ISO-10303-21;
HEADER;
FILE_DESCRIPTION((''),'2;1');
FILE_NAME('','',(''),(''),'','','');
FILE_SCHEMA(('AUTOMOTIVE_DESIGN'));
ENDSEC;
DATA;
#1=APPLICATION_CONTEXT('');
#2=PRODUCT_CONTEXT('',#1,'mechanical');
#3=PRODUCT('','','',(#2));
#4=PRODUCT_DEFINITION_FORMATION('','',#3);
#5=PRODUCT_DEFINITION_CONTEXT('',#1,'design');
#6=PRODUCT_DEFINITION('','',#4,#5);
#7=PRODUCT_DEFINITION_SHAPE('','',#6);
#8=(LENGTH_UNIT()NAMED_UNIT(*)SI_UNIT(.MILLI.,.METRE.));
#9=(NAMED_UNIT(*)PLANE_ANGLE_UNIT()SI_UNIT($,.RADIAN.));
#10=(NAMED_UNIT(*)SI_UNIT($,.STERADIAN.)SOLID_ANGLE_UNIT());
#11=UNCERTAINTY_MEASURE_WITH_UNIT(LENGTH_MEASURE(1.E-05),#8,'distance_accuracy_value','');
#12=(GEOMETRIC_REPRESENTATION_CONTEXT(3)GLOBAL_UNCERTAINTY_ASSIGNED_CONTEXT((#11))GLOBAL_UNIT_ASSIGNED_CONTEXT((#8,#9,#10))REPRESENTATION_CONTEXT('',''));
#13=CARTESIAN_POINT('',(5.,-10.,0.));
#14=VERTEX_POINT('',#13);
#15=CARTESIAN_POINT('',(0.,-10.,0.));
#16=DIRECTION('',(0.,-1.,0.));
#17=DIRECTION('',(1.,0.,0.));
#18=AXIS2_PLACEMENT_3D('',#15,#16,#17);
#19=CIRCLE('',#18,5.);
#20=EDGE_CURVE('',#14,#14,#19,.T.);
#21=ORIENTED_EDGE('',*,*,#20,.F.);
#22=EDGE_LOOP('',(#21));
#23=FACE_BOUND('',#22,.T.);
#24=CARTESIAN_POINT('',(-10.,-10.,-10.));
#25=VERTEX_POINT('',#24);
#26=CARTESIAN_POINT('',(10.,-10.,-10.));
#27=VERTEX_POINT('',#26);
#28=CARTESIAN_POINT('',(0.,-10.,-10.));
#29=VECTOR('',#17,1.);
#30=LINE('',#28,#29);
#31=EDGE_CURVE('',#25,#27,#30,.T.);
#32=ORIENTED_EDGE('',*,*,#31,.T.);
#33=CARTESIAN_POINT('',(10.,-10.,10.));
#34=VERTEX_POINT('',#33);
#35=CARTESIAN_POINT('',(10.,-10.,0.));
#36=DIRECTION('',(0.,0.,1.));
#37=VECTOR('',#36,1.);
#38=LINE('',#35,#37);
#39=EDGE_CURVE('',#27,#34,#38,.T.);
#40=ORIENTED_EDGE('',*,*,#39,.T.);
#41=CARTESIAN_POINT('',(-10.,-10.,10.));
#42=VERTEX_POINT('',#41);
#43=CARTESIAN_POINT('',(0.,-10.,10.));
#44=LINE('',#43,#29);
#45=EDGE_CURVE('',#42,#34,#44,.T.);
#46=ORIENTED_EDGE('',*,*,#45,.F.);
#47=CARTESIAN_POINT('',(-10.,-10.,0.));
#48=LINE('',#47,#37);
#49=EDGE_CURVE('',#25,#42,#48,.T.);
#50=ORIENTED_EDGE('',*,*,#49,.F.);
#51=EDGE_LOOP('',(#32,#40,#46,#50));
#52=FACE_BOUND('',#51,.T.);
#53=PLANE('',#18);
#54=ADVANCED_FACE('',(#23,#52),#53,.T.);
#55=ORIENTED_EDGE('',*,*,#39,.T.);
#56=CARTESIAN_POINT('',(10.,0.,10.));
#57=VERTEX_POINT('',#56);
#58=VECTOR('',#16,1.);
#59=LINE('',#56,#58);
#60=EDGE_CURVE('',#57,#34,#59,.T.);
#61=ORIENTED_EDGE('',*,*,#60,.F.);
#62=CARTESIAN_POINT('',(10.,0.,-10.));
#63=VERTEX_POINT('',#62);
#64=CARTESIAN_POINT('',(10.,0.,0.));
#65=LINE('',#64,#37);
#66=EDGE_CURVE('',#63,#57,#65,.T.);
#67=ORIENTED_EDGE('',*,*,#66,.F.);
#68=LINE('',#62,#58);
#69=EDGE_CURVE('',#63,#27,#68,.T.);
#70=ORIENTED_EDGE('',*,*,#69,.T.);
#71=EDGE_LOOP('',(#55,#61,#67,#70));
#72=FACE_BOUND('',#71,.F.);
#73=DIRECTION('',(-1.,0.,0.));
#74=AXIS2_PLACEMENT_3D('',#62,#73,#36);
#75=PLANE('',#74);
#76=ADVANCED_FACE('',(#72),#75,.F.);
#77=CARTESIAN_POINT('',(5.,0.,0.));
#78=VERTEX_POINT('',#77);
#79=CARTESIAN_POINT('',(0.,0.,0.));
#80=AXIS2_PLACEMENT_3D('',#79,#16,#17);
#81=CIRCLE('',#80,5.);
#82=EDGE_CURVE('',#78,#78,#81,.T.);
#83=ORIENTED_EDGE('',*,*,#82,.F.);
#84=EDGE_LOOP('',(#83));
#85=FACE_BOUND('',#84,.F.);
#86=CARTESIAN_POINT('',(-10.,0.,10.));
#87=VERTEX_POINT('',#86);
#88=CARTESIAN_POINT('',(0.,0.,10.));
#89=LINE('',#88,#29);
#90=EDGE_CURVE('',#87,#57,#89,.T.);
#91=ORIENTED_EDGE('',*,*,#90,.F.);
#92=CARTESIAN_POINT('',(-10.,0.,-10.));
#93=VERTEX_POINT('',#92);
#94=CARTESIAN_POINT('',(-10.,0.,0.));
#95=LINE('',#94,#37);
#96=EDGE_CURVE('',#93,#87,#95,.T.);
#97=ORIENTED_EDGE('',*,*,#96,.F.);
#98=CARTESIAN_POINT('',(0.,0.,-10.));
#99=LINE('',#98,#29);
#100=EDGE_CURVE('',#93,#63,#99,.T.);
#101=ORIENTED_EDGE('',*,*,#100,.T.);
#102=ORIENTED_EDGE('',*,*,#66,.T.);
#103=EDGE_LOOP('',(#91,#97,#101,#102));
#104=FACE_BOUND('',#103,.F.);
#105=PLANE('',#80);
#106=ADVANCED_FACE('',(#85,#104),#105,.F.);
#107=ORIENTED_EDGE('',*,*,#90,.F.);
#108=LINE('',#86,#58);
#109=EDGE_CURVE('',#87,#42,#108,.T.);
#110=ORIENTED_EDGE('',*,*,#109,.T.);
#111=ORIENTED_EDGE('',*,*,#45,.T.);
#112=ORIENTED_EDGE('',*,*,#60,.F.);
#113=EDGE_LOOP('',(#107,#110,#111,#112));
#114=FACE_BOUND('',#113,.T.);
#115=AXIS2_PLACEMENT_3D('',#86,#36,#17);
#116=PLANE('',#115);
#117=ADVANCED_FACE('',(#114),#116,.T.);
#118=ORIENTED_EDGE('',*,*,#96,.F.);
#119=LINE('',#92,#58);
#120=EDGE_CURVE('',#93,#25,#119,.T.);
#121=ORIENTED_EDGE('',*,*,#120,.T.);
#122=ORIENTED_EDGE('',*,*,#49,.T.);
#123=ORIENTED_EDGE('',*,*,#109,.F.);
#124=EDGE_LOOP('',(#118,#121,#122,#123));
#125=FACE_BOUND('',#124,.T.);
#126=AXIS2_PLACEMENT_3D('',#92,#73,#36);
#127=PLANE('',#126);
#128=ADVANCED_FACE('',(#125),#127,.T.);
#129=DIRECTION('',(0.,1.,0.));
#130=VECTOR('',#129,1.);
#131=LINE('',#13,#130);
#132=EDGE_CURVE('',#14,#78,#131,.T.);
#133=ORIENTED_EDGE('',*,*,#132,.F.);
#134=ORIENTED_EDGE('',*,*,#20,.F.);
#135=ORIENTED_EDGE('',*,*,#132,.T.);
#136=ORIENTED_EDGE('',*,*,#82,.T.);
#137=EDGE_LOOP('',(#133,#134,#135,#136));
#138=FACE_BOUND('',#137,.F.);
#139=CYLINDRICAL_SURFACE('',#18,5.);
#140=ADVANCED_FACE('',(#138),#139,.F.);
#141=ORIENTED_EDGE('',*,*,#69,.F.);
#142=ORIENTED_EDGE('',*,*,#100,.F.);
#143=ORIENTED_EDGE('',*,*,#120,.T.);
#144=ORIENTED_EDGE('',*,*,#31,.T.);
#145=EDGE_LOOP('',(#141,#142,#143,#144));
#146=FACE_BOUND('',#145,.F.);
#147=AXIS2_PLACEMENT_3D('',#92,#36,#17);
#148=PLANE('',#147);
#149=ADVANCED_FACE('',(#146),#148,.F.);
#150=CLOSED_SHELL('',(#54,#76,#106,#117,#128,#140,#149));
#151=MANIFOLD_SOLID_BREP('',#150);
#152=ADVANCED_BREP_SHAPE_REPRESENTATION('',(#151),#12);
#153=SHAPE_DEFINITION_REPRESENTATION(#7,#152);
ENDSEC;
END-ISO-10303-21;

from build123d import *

# Parameters (mm, degrees)
F0_W     = 20
F0_H     = 20
F1_DEPTH = 10
F2_R     = 5
F3_DEPTH = 10.001


with BuildPart() as f1:
    # F0 (on Front) → F1 (new body)
    with BuildSketch(Plane.XZ):
        Rectangle(F0_W, F0_H)
    extrude(amount=F1_DEPTH)

    # F2 (on face) → F3 (cut, through all)
    with BuildSketch(Plane.XZ.offset(10)):
        Circle(F2_R)
    extrude(amount=-F3_DEPTH, mode=Mode.SUBTRACT)


solid = f1.part
